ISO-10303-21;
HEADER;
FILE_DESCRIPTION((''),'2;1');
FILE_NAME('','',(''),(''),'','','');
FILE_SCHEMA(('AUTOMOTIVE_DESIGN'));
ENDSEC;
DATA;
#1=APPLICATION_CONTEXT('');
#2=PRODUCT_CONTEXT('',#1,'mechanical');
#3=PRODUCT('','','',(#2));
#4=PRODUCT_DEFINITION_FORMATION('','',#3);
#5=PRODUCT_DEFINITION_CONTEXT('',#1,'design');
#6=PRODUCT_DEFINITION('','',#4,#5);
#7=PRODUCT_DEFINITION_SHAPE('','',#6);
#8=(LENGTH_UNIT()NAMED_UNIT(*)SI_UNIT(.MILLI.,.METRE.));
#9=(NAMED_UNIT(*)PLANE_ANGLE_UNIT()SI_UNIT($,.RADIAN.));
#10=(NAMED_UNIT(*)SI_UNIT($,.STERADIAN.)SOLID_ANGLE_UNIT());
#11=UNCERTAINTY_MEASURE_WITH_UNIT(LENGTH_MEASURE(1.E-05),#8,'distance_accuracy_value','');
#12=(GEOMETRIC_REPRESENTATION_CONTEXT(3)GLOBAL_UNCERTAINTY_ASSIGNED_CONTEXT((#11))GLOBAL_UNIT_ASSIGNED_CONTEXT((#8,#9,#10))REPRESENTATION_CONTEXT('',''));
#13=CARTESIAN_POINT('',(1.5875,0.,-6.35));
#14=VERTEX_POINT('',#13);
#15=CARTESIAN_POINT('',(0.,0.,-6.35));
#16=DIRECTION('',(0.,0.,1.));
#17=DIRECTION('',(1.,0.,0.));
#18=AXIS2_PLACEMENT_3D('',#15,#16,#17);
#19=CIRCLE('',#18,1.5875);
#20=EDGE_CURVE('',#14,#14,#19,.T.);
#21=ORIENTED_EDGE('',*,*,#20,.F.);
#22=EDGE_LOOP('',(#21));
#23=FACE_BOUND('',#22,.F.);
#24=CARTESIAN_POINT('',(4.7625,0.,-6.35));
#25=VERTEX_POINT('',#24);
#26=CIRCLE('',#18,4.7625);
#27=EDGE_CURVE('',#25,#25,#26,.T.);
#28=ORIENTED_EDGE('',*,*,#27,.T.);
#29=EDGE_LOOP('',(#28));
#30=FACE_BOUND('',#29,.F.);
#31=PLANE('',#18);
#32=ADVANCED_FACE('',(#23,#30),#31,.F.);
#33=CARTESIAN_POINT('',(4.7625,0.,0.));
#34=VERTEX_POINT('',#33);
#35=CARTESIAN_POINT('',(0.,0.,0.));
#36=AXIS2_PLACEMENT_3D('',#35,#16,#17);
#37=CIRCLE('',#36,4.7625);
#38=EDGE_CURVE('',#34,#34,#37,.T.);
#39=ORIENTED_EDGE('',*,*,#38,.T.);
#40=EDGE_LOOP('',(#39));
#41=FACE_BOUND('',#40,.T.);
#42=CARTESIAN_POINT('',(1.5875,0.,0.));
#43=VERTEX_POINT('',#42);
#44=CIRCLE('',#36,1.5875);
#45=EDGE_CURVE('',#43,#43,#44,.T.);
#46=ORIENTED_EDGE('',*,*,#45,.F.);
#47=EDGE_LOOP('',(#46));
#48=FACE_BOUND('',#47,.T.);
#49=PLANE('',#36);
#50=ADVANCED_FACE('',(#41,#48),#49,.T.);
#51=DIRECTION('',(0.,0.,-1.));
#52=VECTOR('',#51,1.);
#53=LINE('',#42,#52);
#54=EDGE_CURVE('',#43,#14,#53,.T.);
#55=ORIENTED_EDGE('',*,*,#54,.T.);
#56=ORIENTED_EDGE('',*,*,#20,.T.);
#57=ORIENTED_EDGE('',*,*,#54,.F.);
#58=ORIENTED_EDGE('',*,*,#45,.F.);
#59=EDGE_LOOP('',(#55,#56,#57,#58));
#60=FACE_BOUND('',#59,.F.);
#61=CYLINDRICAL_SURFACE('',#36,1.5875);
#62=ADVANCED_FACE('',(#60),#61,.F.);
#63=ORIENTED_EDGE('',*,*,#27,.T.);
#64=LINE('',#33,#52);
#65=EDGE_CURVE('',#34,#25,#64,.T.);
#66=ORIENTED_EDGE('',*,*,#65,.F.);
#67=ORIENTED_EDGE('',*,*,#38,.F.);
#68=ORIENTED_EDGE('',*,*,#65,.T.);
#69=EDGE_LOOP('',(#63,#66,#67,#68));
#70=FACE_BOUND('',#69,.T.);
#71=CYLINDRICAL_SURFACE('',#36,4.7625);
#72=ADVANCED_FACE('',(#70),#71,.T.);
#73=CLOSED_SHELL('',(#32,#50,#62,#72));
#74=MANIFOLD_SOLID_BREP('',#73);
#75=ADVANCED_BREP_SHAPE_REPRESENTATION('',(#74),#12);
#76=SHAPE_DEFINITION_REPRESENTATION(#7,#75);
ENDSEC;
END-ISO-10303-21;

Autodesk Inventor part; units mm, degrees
ref_plane "YZ Plane" through (0, 0, 0) normal (1, 0, 0) x (0, 1, 0)
ref_plane "XZ Plane" through (0, 0, 0) normal (0, 1, 0) x (-1, 0, 0)
ref_plane "XY Plane" through (0, 0, 0) normal (0, 0, 1) x (1, 0, 0)
sketch "Sketch1" plane through (0, 0, 0) normal (0, 0, 1) x (1, 0, 0)
  circle A0 centre (0, 0) radius 4.7625
  circle A1 centre (0, 0) radius 1.5875
  dimension "d0" = 3.175
  dimension "d1" = 9.525
extrude "Extrusion1" add sketch "Sketch1" against normal blind 6.35
properties part number "Aluminum 6061" material "Iron, Gray"
